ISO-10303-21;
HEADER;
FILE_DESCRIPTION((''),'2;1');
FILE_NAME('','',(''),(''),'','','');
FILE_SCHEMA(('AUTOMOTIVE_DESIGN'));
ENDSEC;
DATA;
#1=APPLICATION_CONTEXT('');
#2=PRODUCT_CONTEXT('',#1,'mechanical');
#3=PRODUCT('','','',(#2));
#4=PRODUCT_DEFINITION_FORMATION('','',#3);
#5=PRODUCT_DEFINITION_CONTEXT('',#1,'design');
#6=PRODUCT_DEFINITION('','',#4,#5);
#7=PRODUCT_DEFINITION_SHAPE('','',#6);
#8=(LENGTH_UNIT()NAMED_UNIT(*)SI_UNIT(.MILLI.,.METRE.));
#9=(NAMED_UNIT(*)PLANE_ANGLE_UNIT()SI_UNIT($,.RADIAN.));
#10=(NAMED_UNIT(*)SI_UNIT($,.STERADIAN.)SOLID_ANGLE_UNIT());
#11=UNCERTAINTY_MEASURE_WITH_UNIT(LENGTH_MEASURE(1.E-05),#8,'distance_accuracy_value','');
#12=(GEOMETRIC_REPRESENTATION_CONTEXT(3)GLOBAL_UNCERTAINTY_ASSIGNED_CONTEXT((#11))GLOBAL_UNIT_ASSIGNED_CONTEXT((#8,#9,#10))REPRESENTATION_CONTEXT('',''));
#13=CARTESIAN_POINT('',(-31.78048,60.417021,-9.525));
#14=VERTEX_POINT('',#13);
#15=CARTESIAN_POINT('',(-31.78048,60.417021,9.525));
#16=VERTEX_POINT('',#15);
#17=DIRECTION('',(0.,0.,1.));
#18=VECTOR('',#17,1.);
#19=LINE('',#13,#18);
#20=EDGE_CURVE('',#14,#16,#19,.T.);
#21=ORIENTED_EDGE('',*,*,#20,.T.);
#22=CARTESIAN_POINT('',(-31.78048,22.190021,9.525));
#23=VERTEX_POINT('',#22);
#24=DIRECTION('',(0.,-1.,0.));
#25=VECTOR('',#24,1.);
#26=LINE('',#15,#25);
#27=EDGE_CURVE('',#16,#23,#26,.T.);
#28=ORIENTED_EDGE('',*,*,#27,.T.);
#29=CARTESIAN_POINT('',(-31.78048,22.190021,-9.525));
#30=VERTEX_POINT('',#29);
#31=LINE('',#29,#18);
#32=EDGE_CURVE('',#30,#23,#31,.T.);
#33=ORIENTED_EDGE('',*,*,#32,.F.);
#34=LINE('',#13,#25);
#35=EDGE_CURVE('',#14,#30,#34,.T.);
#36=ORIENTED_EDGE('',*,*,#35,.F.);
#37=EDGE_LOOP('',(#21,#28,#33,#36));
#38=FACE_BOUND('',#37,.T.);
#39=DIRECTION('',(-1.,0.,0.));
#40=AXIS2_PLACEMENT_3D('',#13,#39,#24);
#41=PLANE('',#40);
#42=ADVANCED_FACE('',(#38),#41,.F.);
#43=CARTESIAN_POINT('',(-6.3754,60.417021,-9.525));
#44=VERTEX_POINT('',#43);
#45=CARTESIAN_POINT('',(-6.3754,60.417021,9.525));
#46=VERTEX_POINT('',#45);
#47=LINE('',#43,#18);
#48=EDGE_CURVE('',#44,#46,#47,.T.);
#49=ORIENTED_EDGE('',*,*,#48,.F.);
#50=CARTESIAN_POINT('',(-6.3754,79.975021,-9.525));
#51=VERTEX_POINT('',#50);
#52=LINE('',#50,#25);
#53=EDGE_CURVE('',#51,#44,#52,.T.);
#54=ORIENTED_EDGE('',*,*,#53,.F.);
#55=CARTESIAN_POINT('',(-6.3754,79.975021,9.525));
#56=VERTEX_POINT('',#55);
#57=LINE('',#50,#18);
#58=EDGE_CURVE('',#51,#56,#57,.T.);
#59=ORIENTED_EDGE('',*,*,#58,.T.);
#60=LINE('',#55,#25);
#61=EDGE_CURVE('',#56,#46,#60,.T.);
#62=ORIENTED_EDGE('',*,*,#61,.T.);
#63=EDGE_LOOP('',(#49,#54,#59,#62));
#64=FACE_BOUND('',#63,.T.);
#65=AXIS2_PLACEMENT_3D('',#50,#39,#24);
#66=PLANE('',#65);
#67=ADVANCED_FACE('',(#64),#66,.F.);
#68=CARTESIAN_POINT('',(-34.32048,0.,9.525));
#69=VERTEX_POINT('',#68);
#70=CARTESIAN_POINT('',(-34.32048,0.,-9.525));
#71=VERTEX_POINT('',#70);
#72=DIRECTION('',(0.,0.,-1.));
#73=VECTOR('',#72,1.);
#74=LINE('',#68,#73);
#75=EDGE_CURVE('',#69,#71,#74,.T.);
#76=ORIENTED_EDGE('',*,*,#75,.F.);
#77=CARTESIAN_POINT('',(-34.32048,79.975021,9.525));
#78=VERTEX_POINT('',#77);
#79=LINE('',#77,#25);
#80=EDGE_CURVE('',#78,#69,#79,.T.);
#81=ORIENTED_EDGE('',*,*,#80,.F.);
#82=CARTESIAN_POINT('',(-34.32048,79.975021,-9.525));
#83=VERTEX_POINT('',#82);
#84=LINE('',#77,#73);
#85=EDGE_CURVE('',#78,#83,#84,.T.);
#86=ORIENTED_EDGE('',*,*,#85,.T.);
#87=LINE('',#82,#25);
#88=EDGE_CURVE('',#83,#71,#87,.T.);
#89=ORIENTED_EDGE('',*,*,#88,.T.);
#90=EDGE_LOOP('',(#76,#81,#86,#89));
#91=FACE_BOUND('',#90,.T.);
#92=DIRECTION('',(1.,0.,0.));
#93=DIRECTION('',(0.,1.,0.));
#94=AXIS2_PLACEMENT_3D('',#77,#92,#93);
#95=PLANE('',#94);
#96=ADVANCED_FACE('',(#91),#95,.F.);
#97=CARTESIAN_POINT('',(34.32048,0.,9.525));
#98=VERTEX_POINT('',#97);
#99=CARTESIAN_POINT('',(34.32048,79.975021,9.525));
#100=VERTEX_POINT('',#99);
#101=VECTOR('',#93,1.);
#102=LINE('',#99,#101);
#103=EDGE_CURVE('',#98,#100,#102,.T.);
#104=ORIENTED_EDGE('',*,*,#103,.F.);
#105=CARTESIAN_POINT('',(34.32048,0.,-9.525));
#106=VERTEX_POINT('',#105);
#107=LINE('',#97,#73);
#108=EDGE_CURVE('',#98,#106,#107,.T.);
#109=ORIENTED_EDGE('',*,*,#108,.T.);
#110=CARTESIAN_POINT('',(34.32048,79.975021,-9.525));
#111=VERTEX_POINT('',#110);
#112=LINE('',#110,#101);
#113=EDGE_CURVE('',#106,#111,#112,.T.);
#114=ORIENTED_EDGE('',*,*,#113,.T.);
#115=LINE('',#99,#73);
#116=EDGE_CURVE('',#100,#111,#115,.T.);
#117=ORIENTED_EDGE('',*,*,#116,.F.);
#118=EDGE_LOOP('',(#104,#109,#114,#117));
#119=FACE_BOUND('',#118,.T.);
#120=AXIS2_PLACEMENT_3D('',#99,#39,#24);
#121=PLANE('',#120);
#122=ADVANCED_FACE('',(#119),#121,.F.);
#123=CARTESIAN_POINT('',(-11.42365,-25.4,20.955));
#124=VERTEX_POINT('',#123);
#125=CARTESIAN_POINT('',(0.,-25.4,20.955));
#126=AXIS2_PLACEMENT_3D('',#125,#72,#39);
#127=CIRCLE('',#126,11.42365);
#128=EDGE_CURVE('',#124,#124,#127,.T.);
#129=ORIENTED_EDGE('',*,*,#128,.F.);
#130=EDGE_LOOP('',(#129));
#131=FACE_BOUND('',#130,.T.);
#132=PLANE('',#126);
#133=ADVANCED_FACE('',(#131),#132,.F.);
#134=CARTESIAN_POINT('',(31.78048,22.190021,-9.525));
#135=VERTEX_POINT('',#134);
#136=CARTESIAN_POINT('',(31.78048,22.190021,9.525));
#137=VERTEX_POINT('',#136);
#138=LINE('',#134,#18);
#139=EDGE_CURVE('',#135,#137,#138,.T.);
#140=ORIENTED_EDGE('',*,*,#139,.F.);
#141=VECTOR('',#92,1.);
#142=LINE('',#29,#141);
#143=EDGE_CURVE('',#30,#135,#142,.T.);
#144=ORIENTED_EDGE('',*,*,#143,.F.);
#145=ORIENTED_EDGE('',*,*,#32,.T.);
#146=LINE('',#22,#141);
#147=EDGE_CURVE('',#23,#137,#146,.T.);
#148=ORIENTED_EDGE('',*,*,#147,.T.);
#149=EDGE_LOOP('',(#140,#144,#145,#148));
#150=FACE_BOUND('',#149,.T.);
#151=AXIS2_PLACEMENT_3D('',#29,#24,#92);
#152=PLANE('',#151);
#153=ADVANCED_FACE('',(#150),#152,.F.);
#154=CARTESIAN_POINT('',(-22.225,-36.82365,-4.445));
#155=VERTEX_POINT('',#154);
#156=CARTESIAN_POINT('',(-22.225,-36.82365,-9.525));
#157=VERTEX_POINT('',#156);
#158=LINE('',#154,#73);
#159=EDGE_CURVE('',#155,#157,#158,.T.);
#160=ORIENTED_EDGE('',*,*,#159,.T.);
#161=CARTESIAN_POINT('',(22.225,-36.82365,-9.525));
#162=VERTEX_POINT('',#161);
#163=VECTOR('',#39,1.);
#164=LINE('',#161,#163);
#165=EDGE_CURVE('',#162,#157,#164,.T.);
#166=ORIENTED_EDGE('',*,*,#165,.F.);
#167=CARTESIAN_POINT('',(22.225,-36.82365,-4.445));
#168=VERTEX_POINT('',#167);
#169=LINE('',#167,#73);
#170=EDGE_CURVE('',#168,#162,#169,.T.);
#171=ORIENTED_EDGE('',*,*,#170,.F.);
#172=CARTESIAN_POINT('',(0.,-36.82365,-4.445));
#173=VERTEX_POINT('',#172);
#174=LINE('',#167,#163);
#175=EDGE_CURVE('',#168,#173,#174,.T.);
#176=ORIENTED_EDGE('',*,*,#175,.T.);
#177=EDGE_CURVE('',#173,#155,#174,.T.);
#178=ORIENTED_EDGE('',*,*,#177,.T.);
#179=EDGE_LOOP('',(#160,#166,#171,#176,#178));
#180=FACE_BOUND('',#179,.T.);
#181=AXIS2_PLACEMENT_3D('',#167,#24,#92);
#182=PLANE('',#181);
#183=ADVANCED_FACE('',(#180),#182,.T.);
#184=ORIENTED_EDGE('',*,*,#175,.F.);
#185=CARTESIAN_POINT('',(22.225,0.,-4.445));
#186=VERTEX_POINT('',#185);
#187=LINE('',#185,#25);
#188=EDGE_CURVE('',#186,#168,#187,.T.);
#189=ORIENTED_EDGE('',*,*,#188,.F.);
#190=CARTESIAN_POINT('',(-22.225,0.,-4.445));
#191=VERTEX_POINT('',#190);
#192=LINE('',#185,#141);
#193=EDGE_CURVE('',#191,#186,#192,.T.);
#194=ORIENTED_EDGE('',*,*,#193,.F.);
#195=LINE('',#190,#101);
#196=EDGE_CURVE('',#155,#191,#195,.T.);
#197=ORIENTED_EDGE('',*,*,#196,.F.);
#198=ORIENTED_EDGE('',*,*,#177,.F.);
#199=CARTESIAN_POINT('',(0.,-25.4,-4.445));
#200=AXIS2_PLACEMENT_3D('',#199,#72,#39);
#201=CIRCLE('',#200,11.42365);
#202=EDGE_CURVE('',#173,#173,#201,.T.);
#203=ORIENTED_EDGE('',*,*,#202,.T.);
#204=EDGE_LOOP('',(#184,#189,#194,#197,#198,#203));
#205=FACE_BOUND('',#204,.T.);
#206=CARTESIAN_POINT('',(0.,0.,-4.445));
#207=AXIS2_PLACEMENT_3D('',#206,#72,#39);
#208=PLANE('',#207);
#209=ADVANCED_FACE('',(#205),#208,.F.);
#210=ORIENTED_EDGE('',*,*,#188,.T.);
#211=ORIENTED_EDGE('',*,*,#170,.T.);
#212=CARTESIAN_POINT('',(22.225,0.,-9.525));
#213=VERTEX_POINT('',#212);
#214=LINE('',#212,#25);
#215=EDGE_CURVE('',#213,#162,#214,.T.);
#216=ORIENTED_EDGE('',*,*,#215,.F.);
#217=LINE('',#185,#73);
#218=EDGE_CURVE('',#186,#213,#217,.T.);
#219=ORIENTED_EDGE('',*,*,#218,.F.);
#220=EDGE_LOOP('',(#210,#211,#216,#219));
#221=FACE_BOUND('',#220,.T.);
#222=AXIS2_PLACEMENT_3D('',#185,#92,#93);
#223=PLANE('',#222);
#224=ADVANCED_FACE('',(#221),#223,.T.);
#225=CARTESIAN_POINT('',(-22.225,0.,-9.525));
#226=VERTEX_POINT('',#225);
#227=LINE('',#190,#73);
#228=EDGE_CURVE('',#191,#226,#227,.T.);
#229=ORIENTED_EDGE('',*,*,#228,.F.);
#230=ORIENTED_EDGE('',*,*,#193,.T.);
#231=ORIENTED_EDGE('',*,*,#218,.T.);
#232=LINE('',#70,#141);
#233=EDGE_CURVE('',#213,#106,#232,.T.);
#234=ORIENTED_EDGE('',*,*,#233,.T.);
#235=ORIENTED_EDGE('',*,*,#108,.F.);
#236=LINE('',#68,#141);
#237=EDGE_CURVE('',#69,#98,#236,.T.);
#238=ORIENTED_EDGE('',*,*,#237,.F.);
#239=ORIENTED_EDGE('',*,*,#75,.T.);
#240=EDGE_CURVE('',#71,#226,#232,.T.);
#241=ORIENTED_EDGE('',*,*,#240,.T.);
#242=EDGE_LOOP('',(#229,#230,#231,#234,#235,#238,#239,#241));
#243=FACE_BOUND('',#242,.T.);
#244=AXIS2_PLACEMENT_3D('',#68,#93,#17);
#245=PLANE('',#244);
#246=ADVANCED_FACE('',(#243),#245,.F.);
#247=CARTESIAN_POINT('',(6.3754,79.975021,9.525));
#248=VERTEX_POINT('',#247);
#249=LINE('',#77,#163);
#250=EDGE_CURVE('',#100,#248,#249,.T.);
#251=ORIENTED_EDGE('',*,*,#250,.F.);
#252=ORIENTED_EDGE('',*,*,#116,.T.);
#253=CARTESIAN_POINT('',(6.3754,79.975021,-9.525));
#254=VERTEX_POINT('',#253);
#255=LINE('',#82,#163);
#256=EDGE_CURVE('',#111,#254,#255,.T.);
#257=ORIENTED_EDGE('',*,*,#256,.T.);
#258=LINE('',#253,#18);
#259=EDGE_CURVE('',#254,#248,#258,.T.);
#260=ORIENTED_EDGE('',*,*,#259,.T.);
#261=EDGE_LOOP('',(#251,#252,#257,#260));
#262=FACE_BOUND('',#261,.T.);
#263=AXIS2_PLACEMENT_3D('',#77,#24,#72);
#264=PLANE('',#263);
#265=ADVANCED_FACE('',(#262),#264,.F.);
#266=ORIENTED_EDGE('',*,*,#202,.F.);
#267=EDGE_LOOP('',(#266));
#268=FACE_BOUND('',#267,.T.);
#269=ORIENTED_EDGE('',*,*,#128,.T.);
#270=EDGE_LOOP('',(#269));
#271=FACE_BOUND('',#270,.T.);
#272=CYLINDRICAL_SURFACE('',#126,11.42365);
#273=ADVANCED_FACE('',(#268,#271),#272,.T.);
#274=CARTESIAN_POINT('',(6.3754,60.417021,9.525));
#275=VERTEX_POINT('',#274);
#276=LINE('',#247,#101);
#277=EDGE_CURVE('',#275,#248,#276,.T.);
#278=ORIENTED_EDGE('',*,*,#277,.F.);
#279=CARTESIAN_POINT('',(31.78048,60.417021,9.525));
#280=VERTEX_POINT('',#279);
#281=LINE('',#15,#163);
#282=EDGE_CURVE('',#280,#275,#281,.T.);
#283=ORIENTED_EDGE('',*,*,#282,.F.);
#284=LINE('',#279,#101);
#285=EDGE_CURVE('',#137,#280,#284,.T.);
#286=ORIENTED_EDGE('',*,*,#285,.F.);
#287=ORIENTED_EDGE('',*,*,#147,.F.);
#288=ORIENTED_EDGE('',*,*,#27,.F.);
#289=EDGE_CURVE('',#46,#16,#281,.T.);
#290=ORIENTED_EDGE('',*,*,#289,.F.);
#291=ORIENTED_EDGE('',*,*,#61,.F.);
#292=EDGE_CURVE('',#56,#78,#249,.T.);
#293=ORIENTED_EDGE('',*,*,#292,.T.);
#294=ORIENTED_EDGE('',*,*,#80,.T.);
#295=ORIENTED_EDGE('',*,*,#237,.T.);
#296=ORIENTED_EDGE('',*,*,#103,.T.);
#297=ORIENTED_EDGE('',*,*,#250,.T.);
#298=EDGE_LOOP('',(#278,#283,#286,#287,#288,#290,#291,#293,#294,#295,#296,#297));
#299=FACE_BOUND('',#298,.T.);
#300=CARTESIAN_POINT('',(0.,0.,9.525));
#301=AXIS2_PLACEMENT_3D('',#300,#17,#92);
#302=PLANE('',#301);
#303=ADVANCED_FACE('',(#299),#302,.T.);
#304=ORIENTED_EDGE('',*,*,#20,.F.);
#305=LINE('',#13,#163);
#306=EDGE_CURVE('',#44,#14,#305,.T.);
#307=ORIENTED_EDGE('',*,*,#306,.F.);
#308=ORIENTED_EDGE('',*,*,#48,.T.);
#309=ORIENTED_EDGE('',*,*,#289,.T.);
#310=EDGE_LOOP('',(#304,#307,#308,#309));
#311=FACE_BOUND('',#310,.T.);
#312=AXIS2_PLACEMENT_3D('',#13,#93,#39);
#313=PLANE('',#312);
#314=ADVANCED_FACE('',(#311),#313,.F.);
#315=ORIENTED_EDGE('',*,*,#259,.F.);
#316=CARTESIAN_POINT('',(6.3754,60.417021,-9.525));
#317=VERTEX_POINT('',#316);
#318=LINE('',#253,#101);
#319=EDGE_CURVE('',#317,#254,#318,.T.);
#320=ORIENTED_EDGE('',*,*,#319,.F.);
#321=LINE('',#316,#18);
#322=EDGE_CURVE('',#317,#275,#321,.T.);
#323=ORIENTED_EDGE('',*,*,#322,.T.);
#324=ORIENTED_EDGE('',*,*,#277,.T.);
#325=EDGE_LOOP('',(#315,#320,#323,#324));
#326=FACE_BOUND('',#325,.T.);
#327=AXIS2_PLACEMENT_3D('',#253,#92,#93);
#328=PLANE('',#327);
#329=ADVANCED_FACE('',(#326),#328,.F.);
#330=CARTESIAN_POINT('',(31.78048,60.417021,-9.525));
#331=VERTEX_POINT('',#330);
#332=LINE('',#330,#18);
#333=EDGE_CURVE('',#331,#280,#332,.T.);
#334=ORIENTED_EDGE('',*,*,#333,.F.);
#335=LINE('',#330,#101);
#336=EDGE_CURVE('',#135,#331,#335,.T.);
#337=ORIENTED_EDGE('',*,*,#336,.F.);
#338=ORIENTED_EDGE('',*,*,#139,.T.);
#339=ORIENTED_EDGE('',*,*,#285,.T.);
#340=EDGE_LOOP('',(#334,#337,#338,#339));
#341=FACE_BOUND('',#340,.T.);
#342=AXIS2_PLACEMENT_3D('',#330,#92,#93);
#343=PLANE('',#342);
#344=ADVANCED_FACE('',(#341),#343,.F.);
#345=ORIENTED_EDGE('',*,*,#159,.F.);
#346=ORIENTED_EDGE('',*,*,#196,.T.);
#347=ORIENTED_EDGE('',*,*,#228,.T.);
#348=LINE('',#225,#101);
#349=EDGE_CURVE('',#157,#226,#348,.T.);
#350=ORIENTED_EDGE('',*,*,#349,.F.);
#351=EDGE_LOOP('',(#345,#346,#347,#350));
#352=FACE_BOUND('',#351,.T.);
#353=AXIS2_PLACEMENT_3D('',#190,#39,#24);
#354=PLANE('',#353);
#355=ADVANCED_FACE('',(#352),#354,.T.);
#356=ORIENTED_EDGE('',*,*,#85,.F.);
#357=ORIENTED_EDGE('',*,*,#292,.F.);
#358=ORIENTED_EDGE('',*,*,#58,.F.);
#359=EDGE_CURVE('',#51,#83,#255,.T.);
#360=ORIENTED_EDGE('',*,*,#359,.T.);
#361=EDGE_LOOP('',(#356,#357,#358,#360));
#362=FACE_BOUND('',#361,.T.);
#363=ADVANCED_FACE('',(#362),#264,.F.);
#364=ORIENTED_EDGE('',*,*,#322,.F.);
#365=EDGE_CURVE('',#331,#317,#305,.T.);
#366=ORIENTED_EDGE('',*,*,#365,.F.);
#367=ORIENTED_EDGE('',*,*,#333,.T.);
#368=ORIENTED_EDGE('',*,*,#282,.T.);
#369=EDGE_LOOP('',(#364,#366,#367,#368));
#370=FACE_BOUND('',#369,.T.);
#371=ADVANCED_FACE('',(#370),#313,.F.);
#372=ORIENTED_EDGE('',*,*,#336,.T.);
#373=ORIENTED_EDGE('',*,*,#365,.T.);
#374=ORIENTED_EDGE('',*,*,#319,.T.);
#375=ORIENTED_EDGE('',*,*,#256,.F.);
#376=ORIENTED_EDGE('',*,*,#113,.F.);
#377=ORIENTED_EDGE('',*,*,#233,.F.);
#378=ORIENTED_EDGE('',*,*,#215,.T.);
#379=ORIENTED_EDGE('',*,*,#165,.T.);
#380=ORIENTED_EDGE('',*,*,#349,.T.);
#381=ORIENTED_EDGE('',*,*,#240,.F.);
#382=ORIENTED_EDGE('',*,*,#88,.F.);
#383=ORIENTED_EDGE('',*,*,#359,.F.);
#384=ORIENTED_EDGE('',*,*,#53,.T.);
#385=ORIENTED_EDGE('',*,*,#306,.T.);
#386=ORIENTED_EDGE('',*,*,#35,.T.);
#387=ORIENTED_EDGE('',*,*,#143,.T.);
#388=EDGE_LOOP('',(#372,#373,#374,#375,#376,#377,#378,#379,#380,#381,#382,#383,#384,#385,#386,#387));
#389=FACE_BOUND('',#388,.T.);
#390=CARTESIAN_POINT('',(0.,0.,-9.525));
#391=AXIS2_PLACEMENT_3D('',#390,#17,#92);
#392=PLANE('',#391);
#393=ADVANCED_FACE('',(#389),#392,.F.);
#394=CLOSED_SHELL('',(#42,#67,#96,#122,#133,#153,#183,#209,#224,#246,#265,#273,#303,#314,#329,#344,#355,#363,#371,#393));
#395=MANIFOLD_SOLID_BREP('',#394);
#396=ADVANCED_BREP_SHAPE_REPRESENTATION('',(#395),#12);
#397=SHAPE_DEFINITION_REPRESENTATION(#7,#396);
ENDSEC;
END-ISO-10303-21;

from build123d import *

# Parameters (mm, degrees)
SKETCH1_W            = 68.64096
SKETCH1_H            = 79.975020836
MAIN_BODY_DEPTH      = 9.525
SKETCH2_W            = 63.56096
SKETCH2_H            = 38.227
LOWER_T_CAVITY_DEPTH = 90.088729956
SKETCH3_W            = 12.7508
SKETCH3_H            = 19.558
TOP_SLOT_DEPTH       = 90.088729956
SKETCH4_W            = 44.45
SKETCH4_H            = 36.82365
HANGER_DEPTH         = 5.08
SKETCH5_R            = 11.42365
STRAP_PIN_DEPTH      = 30.48


with BuildPart() as part:
    # Sketch1 → Main-Body (new, symmetric)
    with BuildSketch(Plane.XY):
        with Locations((0, 39.987510418)):
            Rectangle(SKETCH1_W, SKETCH1_H)
    extrude(amount=MAIN_BODY_DEPTH, both=True)

    # Sketch2 → Lower-T-Cavity (cut, through all)
    with BuildSketch(Plane.XY.offset(9.525)):
        with Locations((0, 41.303520836)):
            Rectangle(SKETCH2_W, SKETCH2_H)
    extrude(amount=-LOWER_T_CAVITY_DEPTH, mode=Mode.SUBTRACT)

    # Sketch3 → Top-Slot (cut, through all)
    with BuildSketch(Plane.XY.offset(9.525)):
        with Locations((0, 70.196020836)):
            Rectangle(SKETCH3_W, SKETCH3_H)
    extrude(amount=-TOP_SLOT_DEPTH, mode=Mode.SUBTRACT)

    # Sketch4 → Hanger (add)
    with BuildSketch(Plane(origin=(0, 0, -9.525), x_dir=(-1, 0, 0), z_dir=(0, 0, -1))):
        with Locations((0, -18.411825)):
            Rectangle(SKETCH4_W, SKETCH4_H)
    extrude(amount=-HANGER_DEPTH)

    # Sketch5 → Strap-Pin (add)
    with BuildSketch(Plane(origin=(0, 0, -9.525), x_dir=(-1, 0, 0), z_dir=(0, 0, -1))):
        with Locations((0, -25.4)):
            Circle(SKETCH5_R)
    extrude(amount=-STRAP_PIN_DEPTH)


solid = part.part
